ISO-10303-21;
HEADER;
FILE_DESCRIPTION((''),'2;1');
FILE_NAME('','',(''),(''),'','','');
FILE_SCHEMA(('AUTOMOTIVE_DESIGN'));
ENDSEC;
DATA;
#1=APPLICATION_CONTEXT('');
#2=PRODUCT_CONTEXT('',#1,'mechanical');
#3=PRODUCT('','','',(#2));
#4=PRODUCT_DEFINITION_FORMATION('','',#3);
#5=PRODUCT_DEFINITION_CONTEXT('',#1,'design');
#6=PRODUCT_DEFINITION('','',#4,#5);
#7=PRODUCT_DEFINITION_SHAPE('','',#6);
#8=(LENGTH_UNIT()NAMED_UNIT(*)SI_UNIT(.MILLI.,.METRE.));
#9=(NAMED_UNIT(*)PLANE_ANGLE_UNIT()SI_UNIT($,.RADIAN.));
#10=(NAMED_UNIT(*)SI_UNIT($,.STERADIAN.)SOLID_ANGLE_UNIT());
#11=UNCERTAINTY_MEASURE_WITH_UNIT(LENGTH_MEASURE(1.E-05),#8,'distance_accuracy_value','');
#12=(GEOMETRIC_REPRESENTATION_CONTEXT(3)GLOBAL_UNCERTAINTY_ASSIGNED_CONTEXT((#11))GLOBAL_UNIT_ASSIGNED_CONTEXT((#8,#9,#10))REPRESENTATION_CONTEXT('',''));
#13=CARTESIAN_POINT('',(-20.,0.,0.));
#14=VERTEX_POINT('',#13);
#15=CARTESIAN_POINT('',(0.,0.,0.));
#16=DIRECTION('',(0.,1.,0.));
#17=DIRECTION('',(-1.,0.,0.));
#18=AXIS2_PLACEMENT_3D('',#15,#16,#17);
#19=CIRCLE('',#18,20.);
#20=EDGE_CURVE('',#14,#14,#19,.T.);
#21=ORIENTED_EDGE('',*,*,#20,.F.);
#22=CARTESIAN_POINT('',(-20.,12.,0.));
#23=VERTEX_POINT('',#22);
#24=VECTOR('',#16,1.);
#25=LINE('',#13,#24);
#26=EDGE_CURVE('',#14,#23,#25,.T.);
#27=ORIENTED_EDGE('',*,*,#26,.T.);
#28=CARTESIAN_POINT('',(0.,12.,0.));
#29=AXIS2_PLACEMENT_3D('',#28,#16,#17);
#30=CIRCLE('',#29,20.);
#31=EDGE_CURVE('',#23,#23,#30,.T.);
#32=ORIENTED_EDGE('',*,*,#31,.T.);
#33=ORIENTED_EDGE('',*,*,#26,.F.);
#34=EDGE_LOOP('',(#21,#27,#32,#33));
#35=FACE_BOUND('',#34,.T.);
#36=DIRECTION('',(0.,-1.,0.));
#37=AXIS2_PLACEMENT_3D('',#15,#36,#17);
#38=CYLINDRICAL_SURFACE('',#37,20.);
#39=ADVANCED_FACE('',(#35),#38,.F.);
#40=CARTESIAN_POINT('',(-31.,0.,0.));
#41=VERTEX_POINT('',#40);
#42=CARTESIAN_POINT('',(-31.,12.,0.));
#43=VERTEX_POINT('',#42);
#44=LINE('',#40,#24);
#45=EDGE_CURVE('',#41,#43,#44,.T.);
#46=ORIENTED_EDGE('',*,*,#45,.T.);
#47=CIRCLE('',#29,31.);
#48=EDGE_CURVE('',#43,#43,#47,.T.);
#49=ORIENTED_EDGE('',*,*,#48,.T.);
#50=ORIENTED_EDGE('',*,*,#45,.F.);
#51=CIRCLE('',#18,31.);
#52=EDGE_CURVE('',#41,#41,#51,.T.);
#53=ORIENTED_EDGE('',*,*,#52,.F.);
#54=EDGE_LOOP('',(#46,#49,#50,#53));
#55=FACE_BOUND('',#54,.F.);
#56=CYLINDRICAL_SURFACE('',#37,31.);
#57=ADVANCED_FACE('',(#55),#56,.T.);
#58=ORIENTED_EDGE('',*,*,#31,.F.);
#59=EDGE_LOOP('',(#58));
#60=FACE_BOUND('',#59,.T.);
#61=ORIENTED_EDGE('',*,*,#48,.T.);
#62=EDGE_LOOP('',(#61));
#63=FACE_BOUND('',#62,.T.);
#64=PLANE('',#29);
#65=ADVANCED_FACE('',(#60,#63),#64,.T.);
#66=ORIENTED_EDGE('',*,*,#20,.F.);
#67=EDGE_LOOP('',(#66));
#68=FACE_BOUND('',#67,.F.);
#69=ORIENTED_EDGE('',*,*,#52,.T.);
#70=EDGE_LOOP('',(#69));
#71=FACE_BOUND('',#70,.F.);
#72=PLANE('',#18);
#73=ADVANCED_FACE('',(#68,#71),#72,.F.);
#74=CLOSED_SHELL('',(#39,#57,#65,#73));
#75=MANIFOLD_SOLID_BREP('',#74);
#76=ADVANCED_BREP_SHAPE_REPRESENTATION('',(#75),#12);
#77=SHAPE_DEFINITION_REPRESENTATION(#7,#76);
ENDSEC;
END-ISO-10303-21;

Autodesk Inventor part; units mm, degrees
ref_plane "YZ Plane" through (0, 0, 0) normal (1, 0, 0) x (0, 1, 0)
ref_plane "XZ Plane" through (0, 0, 0) normal (0, 1, 0) x (-1, 0, 0)
ref_plane "XY Plane" through (0, 0, 0) normal (0, 0, 1) x (1, 0, 0)
sketch "Sketch1" plane through (0, 0, 0) normal (0, 1, 0) x (-1, 0, 0)
  circle A0 centre (0, 0) radius 20
  circle A1 centre (0, 0) radius 31
  dimension "d0" = 40
  dimension "d1" = 62
extrude "Extrusion1" add sketch "Sketch1" along normal blind 12
properties part number "Bearing"
